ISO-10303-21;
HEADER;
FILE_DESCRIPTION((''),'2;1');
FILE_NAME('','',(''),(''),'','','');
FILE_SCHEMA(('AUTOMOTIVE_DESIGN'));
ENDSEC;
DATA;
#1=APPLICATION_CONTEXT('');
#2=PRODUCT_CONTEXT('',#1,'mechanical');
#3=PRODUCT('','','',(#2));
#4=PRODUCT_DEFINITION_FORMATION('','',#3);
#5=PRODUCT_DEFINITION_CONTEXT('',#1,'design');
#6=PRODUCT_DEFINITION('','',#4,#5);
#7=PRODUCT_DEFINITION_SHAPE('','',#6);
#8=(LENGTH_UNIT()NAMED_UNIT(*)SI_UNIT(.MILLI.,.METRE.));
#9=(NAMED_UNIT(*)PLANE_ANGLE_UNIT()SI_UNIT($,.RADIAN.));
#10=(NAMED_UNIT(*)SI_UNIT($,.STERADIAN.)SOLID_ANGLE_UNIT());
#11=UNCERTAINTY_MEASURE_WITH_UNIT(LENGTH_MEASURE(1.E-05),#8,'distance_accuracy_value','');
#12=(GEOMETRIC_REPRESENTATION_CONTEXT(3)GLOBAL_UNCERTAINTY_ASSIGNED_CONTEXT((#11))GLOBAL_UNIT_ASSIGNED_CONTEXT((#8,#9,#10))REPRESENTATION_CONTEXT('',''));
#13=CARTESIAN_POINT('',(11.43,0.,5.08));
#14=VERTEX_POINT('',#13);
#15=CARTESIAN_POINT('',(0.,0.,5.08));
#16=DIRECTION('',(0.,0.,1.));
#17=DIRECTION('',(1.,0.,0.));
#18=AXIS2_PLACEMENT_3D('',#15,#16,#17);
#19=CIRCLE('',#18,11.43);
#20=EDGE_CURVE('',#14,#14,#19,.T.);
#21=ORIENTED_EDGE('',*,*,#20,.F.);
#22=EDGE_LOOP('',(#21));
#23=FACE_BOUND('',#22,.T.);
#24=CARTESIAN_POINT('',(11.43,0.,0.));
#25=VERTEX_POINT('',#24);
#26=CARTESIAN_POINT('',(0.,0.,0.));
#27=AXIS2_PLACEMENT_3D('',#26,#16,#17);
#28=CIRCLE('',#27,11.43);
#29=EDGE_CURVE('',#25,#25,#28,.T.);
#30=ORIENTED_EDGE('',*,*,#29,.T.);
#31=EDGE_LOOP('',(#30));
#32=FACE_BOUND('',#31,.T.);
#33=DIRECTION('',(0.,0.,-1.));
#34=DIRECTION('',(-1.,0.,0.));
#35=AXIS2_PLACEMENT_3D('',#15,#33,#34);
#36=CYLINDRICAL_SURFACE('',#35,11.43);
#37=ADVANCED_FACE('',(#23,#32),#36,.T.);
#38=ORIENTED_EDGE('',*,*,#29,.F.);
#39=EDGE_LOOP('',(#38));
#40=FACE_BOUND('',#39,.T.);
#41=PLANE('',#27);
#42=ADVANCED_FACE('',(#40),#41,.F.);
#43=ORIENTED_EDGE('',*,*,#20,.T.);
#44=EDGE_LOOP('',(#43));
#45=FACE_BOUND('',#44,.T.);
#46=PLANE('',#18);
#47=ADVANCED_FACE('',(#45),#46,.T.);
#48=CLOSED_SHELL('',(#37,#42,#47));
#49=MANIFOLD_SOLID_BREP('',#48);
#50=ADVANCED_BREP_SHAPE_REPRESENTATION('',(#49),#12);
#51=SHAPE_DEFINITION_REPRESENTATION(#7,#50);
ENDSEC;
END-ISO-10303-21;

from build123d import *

# Parameters (mm, degrees)
SKETCH2_R           = 11.43
BOSS_EXTRUDE1_DEPTH = 5.08


with BuildPart() as part:
    # Sketch2 → Boss-Extrude1 (new body)
    with BuildSketch(Plane.XY):
        Circle(SKETCH2_R)
    extrude(amount=BOSS_EXTRUDE1_DEPTH)


solid = part.part
